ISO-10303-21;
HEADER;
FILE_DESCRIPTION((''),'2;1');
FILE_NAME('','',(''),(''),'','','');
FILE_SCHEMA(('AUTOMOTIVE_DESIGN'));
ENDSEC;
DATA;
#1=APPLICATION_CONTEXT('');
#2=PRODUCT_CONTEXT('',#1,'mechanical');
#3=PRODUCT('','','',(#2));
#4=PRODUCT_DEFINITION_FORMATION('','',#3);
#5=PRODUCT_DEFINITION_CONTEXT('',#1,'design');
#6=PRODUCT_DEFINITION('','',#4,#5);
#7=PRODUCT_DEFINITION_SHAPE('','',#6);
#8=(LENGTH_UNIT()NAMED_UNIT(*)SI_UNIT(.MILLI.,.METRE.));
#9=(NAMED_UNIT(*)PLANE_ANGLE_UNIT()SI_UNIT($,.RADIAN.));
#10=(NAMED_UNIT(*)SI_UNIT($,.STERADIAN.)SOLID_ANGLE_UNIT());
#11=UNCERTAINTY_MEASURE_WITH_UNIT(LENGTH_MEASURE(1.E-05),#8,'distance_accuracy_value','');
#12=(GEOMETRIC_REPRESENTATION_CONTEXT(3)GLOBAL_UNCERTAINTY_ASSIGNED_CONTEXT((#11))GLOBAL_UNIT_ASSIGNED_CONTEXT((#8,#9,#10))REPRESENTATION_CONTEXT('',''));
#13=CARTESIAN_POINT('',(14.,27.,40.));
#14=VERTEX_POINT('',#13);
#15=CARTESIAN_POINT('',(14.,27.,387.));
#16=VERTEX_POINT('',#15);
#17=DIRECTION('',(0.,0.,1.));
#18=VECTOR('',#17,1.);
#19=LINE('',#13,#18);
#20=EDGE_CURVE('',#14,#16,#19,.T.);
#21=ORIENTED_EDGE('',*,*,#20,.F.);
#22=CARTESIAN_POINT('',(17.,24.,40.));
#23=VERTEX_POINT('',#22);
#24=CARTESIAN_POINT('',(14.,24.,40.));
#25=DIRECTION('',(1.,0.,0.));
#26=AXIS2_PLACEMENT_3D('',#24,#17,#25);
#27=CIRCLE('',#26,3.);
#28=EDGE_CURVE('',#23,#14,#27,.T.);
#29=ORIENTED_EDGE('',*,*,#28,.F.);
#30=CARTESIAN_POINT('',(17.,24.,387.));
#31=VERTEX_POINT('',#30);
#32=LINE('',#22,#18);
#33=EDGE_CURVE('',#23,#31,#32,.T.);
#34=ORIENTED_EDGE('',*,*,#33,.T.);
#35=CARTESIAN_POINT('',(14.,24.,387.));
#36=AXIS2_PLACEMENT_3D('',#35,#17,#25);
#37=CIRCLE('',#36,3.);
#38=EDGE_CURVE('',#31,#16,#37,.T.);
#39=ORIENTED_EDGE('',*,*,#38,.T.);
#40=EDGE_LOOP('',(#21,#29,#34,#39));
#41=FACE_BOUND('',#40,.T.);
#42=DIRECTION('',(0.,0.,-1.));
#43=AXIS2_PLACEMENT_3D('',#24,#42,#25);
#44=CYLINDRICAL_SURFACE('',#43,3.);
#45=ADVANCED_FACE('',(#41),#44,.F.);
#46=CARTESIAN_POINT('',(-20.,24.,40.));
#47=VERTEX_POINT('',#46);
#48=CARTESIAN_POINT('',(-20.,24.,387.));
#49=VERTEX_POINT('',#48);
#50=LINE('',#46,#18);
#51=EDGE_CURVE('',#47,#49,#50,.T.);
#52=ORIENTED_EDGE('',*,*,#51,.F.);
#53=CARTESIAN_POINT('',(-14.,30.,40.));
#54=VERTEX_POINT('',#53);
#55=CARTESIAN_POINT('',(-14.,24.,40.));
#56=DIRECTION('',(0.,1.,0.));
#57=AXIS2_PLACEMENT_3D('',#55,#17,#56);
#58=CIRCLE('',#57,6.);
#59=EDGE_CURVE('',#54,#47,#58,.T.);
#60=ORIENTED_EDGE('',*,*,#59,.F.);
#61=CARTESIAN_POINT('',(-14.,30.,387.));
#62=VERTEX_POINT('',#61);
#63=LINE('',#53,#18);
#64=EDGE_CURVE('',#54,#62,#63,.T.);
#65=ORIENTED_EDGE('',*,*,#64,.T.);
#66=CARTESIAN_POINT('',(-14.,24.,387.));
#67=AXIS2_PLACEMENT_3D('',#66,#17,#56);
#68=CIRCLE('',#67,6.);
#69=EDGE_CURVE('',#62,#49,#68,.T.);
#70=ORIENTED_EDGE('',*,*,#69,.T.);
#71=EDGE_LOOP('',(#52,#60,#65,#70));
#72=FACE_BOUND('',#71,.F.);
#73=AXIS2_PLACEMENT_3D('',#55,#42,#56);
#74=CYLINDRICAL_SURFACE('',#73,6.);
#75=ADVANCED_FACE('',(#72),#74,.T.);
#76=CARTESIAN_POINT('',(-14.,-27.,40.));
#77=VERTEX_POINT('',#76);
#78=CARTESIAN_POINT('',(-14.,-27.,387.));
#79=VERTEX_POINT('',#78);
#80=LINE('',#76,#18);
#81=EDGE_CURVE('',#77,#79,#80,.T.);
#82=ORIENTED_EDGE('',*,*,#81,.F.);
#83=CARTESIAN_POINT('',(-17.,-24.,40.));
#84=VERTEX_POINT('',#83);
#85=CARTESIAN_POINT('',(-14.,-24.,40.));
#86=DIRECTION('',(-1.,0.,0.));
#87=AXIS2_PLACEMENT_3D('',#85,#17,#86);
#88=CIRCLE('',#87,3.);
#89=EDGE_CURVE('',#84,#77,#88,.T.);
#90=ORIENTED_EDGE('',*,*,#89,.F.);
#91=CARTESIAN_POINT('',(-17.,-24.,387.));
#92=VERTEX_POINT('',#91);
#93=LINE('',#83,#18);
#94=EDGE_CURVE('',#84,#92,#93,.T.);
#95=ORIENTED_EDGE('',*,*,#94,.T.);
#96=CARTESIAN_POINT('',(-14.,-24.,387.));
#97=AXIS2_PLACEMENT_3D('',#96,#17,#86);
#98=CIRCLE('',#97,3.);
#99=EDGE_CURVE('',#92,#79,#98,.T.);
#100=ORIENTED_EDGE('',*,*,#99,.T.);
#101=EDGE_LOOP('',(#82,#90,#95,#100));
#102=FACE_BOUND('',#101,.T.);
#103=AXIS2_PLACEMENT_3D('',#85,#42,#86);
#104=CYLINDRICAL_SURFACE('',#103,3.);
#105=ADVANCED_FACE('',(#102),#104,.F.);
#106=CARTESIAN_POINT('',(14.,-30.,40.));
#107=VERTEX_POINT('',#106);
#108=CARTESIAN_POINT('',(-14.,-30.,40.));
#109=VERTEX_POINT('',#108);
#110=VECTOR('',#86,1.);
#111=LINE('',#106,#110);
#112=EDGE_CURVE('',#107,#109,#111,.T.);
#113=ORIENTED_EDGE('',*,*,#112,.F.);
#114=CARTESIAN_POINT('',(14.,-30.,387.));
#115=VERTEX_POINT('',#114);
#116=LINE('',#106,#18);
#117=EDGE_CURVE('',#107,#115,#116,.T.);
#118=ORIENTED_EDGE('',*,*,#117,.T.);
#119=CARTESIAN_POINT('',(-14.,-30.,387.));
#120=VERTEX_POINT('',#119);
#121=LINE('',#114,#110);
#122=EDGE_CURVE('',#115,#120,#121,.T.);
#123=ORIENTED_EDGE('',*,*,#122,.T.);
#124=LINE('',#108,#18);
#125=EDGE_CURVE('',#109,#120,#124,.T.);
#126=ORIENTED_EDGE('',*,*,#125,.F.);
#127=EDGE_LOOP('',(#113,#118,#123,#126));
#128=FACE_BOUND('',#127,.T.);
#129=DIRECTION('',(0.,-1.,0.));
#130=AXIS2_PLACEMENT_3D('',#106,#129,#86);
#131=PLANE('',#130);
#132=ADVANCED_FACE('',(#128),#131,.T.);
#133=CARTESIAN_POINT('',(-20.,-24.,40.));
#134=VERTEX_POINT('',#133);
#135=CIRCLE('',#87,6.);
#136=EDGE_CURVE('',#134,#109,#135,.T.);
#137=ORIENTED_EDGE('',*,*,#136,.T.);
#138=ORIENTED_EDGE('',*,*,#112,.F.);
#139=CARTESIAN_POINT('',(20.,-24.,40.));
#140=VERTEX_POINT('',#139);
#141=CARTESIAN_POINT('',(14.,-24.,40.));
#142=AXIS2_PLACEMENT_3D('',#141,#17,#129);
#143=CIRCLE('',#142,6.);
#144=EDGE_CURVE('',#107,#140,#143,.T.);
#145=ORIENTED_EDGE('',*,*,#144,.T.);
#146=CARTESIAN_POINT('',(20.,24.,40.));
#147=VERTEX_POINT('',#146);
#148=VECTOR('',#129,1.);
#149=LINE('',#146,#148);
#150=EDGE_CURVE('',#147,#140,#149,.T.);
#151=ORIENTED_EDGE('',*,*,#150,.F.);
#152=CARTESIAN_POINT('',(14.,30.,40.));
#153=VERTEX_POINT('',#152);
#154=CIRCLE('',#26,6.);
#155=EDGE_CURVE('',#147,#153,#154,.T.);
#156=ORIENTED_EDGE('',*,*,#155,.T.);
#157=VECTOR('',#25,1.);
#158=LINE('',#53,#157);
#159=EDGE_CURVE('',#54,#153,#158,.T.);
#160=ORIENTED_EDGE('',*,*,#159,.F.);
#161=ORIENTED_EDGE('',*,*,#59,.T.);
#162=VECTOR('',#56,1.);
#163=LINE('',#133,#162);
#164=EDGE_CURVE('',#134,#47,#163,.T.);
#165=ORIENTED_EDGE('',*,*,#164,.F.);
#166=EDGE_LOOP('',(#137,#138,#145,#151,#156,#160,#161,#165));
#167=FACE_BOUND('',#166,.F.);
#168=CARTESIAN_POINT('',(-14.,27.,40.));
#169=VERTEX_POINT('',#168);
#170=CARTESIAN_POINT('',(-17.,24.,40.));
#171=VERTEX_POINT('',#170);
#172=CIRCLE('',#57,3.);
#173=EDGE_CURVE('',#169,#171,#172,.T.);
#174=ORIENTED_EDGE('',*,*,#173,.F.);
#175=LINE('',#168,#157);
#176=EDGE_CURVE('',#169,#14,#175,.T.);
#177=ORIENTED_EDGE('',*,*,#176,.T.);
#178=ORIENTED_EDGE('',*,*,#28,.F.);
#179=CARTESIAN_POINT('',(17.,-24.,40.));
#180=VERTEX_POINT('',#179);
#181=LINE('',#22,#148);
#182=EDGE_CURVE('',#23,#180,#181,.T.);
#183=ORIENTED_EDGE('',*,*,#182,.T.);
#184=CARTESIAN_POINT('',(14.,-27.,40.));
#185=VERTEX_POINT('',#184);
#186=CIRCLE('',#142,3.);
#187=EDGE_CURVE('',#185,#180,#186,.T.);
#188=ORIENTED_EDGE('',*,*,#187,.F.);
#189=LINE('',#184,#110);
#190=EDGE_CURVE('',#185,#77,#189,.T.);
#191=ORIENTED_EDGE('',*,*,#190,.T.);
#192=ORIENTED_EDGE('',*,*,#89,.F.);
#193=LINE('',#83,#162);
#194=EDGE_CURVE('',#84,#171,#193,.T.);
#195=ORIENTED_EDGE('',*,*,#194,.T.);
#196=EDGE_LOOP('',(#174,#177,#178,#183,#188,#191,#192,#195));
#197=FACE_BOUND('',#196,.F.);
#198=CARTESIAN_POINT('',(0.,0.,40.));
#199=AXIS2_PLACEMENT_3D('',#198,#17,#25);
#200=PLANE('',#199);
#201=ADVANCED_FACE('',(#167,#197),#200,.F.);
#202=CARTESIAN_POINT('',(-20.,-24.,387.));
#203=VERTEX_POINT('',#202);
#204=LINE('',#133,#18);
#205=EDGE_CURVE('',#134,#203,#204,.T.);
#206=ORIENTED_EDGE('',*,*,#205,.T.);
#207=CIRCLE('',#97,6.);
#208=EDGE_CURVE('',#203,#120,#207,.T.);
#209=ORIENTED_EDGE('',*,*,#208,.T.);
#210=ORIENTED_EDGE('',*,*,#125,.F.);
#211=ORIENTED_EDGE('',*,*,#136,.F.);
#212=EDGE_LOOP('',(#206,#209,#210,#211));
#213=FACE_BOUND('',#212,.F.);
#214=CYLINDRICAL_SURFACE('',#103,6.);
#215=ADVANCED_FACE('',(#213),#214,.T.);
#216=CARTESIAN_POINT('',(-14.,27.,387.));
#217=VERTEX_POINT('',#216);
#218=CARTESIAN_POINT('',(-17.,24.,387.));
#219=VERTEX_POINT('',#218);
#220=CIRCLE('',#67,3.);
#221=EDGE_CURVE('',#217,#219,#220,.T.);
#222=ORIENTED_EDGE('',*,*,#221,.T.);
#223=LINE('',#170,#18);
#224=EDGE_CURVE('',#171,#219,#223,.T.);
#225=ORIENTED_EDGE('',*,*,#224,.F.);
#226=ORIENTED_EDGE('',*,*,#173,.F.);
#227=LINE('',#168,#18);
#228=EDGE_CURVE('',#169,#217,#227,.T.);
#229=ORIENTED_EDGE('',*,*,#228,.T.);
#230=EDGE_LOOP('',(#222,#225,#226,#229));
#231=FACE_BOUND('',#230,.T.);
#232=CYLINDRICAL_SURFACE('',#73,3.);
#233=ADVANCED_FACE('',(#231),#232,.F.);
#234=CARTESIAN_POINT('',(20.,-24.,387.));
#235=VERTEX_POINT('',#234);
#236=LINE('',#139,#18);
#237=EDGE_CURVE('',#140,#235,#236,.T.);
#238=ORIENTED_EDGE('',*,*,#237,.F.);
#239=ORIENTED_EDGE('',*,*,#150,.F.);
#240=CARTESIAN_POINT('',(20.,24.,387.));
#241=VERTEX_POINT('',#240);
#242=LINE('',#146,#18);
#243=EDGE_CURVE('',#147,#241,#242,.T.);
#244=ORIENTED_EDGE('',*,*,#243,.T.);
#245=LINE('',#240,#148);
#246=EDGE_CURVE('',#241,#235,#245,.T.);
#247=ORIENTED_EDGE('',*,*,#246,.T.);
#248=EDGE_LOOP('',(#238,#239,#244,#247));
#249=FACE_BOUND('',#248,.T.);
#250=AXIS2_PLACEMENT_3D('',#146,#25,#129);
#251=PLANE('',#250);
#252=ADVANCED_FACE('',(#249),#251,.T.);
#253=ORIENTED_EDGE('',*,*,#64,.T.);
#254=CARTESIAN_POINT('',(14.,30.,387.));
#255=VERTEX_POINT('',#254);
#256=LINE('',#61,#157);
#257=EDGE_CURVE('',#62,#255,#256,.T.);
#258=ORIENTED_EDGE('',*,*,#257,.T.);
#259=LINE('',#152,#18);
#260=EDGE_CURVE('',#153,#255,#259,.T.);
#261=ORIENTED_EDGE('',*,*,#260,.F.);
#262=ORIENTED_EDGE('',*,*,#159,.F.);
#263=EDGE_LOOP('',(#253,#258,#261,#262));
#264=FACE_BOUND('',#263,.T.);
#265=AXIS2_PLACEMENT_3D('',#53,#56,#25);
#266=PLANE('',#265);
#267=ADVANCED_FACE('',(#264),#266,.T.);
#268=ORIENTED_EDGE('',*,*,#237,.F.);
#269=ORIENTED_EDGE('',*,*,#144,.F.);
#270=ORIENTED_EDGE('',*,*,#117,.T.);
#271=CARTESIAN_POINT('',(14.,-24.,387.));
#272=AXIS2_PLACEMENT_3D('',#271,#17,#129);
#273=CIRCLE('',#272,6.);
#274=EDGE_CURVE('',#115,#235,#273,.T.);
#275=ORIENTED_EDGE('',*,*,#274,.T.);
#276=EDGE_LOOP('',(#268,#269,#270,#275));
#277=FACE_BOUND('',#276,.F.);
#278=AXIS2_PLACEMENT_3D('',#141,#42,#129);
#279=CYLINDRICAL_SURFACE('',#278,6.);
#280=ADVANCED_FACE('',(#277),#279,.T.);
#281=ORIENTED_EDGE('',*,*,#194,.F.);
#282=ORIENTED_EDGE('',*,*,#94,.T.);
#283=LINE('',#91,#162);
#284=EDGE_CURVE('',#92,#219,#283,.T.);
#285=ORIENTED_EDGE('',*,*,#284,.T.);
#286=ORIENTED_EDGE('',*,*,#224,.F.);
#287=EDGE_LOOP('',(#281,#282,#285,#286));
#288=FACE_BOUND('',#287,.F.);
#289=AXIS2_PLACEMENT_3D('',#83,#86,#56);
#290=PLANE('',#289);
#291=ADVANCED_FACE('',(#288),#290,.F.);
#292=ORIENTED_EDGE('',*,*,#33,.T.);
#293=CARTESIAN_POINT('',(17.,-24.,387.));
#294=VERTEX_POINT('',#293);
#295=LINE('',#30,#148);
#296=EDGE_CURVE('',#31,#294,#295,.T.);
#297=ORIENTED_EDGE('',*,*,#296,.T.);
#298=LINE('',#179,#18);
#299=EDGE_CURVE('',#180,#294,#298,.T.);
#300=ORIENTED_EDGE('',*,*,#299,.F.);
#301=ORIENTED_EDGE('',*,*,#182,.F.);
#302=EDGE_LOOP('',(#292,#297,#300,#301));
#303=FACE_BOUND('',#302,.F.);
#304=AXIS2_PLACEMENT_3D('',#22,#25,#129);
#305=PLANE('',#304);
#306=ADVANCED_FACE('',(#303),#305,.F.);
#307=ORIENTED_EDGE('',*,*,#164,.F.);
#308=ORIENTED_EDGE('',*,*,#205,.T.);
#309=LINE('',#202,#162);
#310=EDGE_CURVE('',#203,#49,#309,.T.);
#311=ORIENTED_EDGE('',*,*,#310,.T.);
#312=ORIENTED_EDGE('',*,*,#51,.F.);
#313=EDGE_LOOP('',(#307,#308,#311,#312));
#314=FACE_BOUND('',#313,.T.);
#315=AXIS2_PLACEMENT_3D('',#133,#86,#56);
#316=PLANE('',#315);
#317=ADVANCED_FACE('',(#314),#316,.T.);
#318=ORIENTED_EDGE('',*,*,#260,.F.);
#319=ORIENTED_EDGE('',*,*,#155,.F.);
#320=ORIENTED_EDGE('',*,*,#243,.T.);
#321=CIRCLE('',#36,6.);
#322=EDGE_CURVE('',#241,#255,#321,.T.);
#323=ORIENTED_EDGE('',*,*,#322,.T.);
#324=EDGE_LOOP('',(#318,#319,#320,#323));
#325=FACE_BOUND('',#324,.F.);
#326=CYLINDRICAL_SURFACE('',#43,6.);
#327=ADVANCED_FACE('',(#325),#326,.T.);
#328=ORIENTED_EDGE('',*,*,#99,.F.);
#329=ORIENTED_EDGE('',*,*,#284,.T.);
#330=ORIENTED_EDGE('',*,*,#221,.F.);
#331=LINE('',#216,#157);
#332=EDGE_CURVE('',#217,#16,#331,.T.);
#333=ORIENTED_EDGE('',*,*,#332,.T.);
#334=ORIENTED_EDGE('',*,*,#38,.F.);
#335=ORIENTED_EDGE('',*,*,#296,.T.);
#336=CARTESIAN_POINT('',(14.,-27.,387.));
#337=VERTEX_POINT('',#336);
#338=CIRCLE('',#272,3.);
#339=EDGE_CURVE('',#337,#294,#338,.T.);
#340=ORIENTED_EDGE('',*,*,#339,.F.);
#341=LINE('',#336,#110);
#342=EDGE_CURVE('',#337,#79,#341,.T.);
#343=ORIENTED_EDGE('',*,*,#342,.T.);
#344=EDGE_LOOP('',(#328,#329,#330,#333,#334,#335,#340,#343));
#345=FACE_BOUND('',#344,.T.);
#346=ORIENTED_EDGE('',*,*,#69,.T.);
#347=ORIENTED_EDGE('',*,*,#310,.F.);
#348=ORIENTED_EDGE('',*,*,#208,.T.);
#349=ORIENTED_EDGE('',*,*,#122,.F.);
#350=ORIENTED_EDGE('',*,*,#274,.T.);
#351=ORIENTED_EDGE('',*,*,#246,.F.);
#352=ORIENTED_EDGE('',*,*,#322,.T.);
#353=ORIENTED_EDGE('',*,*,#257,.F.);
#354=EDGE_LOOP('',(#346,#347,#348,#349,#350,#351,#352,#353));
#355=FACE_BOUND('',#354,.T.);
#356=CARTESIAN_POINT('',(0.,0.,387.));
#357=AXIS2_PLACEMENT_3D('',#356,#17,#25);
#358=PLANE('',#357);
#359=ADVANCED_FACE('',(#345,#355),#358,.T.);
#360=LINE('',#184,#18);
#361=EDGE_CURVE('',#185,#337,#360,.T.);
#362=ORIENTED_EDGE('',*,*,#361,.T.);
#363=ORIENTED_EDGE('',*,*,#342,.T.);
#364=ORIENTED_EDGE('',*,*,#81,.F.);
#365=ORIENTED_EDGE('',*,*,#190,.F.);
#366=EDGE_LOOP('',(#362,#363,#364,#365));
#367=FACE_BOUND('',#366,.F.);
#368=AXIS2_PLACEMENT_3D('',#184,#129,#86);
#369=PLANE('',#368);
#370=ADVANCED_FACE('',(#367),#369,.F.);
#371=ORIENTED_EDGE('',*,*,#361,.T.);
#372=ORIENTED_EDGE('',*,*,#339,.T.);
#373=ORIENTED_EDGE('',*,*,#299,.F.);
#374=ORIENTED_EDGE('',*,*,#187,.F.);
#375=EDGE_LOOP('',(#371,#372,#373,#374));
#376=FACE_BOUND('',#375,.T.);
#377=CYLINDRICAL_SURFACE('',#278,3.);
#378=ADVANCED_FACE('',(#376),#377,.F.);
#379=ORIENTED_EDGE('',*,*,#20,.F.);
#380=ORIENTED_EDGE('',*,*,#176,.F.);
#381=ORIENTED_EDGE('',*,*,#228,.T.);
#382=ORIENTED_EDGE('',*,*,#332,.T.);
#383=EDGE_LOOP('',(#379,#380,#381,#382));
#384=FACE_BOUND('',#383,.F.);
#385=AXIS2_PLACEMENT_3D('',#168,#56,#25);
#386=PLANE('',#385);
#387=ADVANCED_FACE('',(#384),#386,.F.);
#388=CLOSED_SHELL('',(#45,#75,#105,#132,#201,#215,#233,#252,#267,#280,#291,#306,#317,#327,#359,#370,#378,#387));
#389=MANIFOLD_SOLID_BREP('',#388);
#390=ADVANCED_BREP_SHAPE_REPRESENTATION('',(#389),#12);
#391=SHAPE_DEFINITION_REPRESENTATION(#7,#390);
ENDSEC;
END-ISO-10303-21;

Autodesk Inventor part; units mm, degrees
ref_plane "YZ Plane" through (0, 0, 0) normal (1, 0, 0) x (0, 1, 0)
ref_plane "Start Plane" through (0, 0, 40) normal (0, 0, 1) x (1, 0, 0)
ref_plane "End Plane" through (0, 0, 387) normal (0, 0, 1) x (1, 0, 0)
sketch "Sketch" plane through (0, 0, 0) normal (0, 0, 1) x (1, 0, 0)
  line L0 (-20, -24) -> (-20, 24)
  line L1 (-14, 30) -> (14, 30)
  line L2 (20, 24) -> (20, -24)
  line L3 (14, -30) -> (-14, -30)
  arc A0 (-20, -24) -> (-14, -30) centre (-14, -24) ccw
  arc A1 (20, 24) -> (14, 30) centre (14, 24) ccw
  arc A2 (-14, 30) -> (-20, 24) centre (-14, 24) ccw
  arc A3 (14, -30) -> (20, -24) centre (14, -24) ccw
  arc A4 (-14, 27) -> (-17, 24) centre (-14, 24) ccw
  line L4 (-14, 27) -> (14, 27)
  arc A5 (17, 24) -> (14, 27) centre (14, 24) ccw
  line L5 (17, 24) -> (17, -24)
  arc A6 (14, -27) -> (17, -24) centre (14, -24) ccw
  line L6 (14, -27) -> (-14, -27)
  arc A7 (-17, -24) -> (-14, -27) centre (-14, -24) ccw
  line L7 (-17, -24) -> (-17, 24)
  line L8 (0, 43.7397) -> (0, -43.7397) construction
  line L9 (-29.7397, 0) -> (29.7397, 0) construction
  dimension "d7" = 6
  dimension "d9" = 40
  dimension "d11" = 60
  dimension "d12" = 3
  dimension "d15" = 20
  dimension "d16" = 30
extrude "Body" add sketch "Sketch" along normal up to surface (347 mm away) from surface at 40
sketch "Sketch3" plane through (0, 0, 0) normal (0, 0, 1) x (1, 0, 0)
  line L0 (0, 0) -> (10, 0)
ref_plane "Work Plane3" through (0, 0, 0) normal (0, -1, 0) x (1, 0, 0)
sketch "Sketch4" plane through (0, 0, 0) normal (0, -1, 0) x (1, 0, 0)
  line L0 (-2, 40) -> (12, 40) projected
  line L1 (-2, 387) -> (12, 387) projected
  dimension "d18" = 347
equation "\"d7\" = G_IR"
equation "\"d9\" = G_W"
equation "\"d11\" = G_H"
equation "\"d12\" = G_T"
equation "\"d15\" = 0.5 * d9"
equation "\"d16\" = 0.5 * d11"
equation "\"d3\" = G_L"
equation "\"G_W\" = 40"
equation "\"G_H\" = 60"
equation "\"G_T\" = 3"
equation "\"G_IR\" = 6"
equation "\"G_L\" = d18"
equation "\"d14\" = G_OFFSET_END + B_L"
equation "\"B_L\" = 407"
equation "\"G_OFFSET_END\" = -20"
properties part number "ISO 4019 - 60x40x3 - 347" material "Steel, Mild"
